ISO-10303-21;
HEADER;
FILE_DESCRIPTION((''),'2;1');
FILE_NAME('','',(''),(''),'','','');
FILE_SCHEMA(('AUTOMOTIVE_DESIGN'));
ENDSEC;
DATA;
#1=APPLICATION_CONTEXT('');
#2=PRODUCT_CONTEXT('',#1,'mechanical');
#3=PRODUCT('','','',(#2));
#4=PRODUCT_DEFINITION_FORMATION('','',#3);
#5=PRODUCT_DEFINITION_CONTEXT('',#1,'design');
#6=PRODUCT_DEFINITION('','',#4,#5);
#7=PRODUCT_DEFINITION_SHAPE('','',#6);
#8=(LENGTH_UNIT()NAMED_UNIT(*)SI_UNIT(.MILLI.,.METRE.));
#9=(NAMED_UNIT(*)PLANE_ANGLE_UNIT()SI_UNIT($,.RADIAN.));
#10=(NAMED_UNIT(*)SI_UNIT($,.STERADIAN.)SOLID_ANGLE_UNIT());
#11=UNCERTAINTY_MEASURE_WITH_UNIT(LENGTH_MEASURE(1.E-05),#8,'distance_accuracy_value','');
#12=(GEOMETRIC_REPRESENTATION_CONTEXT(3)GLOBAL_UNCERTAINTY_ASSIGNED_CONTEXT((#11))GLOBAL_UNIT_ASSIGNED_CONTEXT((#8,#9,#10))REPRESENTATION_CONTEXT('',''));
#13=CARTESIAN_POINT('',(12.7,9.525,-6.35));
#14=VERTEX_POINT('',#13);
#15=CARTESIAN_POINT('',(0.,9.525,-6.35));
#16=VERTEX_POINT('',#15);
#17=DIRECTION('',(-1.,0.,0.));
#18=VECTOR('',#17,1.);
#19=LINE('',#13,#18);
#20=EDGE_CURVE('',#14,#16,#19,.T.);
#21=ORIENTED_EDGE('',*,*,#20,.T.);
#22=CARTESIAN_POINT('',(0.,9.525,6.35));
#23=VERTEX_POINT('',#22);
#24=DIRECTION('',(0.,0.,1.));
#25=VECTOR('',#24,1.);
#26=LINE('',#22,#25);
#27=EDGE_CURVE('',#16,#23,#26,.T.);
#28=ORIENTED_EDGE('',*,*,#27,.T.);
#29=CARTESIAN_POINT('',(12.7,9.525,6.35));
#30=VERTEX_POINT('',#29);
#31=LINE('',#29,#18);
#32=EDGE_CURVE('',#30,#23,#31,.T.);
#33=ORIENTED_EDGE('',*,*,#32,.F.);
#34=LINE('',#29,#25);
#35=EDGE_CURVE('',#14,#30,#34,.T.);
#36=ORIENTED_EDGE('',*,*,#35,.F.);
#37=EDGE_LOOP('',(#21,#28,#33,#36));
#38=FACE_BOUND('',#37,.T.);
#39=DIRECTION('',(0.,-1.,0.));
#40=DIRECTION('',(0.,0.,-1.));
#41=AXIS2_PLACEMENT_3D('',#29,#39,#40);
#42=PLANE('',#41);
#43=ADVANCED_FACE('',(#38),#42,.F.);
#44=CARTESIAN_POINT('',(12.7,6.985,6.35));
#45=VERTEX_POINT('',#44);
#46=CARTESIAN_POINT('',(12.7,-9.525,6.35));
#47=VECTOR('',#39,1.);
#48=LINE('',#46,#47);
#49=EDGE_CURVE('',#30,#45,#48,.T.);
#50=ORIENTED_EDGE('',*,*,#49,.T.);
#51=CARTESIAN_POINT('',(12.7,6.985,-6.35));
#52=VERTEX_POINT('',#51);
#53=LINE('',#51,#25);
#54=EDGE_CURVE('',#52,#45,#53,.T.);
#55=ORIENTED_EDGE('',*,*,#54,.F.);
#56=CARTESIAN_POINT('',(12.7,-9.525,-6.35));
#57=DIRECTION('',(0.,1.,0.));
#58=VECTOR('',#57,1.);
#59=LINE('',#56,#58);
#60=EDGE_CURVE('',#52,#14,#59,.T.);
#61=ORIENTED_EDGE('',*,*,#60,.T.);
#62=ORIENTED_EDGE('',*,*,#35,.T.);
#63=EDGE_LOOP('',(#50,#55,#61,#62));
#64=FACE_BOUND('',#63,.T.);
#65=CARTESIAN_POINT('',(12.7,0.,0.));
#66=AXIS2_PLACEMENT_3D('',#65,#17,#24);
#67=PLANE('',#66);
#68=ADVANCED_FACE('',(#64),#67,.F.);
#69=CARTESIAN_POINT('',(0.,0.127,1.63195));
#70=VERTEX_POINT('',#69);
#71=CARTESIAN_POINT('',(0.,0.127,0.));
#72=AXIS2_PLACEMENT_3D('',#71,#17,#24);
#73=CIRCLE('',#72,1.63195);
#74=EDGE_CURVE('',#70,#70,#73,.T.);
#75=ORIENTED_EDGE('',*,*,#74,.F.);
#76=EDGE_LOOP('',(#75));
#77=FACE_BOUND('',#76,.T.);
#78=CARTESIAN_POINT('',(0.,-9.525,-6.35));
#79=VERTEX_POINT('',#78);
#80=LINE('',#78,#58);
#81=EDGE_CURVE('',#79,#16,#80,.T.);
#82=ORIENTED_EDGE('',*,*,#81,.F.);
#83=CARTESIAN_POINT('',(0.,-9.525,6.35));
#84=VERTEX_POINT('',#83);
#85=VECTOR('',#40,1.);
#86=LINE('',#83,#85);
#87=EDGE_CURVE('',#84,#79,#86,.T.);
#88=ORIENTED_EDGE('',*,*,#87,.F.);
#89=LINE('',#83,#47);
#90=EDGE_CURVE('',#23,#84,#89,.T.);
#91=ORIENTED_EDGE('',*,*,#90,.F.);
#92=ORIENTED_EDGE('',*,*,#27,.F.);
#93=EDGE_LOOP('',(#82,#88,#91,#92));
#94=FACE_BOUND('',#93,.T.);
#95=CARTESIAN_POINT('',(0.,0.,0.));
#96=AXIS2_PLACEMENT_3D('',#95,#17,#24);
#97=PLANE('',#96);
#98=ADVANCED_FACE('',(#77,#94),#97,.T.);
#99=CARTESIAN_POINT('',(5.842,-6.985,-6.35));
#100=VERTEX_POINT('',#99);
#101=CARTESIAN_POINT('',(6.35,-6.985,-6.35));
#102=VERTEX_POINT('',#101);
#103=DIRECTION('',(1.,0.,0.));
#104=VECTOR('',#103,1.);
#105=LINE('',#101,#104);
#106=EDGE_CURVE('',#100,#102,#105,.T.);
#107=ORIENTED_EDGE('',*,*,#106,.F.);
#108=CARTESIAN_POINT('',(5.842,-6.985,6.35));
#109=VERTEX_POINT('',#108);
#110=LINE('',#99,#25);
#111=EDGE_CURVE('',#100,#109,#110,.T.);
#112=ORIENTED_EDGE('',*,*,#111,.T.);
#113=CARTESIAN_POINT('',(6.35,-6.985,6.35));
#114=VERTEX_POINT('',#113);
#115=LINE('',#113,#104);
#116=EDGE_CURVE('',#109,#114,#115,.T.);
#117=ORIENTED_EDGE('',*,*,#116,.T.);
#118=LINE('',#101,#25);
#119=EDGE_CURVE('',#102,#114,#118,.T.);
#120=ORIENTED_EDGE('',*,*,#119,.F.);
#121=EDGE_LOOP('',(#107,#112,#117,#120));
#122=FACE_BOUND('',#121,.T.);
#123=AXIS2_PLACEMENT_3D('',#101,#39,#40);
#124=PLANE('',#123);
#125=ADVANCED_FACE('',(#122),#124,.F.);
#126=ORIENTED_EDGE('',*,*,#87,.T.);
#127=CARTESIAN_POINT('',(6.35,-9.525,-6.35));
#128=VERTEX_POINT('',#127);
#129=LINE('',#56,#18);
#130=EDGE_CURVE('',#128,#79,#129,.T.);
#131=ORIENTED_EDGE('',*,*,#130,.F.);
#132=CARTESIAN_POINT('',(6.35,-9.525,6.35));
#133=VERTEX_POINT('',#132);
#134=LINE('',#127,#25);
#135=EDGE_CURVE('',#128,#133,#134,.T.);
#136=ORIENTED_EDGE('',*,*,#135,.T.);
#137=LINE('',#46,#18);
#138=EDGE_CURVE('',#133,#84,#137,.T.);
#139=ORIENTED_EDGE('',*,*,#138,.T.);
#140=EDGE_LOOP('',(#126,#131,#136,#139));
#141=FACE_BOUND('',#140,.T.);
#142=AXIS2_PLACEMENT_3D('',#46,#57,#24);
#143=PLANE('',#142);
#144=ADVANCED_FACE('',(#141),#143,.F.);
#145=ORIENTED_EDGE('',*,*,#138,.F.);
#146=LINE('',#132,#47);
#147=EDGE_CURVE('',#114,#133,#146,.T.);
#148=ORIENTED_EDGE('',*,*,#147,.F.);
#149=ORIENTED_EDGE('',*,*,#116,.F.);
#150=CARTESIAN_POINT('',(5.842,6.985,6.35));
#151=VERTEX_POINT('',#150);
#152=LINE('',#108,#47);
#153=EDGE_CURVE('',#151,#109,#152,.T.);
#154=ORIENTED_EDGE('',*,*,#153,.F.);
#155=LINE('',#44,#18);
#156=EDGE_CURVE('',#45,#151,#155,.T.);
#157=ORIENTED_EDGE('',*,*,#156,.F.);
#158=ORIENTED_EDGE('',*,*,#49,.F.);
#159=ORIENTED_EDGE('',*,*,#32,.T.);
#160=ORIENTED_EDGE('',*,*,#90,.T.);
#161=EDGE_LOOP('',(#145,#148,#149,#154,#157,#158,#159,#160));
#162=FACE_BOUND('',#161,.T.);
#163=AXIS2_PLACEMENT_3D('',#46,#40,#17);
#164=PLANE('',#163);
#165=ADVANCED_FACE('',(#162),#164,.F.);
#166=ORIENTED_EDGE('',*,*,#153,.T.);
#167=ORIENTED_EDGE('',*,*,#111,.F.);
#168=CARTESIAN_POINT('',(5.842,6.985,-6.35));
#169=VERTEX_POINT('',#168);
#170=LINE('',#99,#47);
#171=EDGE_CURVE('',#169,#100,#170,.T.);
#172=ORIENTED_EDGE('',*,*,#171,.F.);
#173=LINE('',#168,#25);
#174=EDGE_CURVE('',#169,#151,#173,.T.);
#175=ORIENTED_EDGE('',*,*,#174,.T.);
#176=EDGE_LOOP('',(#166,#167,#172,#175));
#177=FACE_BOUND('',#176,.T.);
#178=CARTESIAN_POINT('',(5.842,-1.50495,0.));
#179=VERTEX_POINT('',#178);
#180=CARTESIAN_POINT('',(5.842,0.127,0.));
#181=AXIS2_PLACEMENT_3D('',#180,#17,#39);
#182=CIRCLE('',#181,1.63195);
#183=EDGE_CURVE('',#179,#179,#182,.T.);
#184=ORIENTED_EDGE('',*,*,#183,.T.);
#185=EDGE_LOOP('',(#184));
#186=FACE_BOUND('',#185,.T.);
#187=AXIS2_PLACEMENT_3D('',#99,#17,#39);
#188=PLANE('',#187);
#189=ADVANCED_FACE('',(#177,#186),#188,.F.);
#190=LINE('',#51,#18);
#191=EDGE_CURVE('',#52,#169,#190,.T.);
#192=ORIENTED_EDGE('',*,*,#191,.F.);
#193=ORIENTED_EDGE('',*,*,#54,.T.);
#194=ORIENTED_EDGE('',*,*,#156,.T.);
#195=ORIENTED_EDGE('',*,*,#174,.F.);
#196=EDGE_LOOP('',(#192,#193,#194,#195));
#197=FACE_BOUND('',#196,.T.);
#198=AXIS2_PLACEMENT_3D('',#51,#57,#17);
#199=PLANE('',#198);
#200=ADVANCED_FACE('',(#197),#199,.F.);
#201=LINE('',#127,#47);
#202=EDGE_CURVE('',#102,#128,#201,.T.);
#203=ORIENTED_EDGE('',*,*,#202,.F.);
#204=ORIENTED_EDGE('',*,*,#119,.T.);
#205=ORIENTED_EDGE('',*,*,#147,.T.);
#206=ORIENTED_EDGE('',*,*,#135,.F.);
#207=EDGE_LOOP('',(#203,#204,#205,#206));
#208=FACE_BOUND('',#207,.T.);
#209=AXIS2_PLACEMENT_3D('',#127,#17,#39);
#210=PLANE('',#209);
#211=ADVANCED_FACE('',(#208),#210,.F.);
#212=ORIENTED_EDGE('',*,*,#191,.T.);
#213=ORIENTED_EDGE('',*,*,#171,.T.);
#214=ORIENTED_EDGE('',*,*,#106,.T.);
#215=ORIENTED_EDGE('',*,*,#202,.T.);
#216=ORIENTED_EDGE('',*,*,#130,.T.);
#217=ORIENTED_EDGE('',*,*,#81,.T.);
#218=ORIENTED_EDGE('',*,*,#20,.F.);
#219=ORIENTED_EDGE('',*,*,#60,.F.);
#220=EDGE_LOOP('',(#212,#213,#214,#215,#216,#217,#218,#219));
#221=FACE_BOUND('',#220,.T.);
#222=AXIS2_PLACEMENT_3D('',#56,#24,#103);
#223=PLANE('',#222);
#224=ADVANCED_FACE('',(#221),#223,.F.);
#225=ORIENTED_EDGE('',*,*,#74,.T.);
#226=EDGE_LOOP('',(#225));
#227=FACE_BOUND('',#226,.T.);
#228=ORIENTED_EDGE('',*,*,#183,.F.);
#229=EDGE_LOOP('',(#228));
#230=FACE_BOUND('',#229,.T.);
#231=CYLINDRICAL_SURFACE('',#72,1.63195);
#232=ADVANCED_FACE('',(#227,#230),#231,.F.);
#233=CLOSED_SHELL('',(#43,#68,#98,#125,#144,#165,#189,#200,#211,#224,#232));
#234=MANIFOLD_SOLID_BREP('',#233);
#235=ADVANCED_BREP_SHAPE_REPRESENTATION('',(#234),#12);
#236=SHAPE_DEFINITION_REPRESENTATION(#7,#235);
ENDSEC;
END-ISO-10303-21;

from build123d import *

# Parameters (mm, degrees)
SKETCH1_W             = 12.7
SKETCH1_H             = 19.05
BOSS_EXTRUDE1_DEPTH   = 12.7
SKETCH2_W             = 6.35
SKETCH2_H             = 16.51
CUT_EXTRUDE1_DEPTH    = 21.329919454
SKETCH3_W             = 0.508
SKETCH3_H             = 13.97
CUT_EXTRUDE2_DEPTH    = 21.329919454
F_4_CLEARANCE_HOLE1_D = 3.2639


with BuildPart() as part:
    # Sketch1 → Boss-Extrude1 (new body)
    with BuildSketch(Plane(origin=(0, 0, 0), x_dir=(0, 0, -1), z_dir=(1, 0, 0))):
        Rectangle(SKETCH1_W, SKETCH1_H)
    extrude(amount=BOSS_EXTRUDE1_DEPTH)

    # Sketch2 → Cut-Extrude1 (cut, through all)
    with BuildSketch(Plane.XY.offset(6.35)):
        with Locations((9.525, -1.27)):
            Rectangle(SKETCH2_W, SKETCH2_H)
    extrude(amount=-CUT_EXTRUDE1_DEPTH, mode=Mode.SUBTRACT)

    # Sketch3 → Cut-Extrude2 (cut, through all)
    with BuildSketch(Plane.XY.offset(6.35)):
        with Locations((6.096, 0)):
            Rectangle(SKETCH3_W, SKETCH3_H)
    extrude(amount=-CUT_EXTRUDE2_DEPTH, mode=Mode.SUBTRACT)

    # #4 Clearance Hole1 (through all)
    with Locations(Plane.ZY):
        with Locations((0, 0.127)):
            Hole(F_4_CLEARANCE_HOLE1_D / 2)


solid = part.part
